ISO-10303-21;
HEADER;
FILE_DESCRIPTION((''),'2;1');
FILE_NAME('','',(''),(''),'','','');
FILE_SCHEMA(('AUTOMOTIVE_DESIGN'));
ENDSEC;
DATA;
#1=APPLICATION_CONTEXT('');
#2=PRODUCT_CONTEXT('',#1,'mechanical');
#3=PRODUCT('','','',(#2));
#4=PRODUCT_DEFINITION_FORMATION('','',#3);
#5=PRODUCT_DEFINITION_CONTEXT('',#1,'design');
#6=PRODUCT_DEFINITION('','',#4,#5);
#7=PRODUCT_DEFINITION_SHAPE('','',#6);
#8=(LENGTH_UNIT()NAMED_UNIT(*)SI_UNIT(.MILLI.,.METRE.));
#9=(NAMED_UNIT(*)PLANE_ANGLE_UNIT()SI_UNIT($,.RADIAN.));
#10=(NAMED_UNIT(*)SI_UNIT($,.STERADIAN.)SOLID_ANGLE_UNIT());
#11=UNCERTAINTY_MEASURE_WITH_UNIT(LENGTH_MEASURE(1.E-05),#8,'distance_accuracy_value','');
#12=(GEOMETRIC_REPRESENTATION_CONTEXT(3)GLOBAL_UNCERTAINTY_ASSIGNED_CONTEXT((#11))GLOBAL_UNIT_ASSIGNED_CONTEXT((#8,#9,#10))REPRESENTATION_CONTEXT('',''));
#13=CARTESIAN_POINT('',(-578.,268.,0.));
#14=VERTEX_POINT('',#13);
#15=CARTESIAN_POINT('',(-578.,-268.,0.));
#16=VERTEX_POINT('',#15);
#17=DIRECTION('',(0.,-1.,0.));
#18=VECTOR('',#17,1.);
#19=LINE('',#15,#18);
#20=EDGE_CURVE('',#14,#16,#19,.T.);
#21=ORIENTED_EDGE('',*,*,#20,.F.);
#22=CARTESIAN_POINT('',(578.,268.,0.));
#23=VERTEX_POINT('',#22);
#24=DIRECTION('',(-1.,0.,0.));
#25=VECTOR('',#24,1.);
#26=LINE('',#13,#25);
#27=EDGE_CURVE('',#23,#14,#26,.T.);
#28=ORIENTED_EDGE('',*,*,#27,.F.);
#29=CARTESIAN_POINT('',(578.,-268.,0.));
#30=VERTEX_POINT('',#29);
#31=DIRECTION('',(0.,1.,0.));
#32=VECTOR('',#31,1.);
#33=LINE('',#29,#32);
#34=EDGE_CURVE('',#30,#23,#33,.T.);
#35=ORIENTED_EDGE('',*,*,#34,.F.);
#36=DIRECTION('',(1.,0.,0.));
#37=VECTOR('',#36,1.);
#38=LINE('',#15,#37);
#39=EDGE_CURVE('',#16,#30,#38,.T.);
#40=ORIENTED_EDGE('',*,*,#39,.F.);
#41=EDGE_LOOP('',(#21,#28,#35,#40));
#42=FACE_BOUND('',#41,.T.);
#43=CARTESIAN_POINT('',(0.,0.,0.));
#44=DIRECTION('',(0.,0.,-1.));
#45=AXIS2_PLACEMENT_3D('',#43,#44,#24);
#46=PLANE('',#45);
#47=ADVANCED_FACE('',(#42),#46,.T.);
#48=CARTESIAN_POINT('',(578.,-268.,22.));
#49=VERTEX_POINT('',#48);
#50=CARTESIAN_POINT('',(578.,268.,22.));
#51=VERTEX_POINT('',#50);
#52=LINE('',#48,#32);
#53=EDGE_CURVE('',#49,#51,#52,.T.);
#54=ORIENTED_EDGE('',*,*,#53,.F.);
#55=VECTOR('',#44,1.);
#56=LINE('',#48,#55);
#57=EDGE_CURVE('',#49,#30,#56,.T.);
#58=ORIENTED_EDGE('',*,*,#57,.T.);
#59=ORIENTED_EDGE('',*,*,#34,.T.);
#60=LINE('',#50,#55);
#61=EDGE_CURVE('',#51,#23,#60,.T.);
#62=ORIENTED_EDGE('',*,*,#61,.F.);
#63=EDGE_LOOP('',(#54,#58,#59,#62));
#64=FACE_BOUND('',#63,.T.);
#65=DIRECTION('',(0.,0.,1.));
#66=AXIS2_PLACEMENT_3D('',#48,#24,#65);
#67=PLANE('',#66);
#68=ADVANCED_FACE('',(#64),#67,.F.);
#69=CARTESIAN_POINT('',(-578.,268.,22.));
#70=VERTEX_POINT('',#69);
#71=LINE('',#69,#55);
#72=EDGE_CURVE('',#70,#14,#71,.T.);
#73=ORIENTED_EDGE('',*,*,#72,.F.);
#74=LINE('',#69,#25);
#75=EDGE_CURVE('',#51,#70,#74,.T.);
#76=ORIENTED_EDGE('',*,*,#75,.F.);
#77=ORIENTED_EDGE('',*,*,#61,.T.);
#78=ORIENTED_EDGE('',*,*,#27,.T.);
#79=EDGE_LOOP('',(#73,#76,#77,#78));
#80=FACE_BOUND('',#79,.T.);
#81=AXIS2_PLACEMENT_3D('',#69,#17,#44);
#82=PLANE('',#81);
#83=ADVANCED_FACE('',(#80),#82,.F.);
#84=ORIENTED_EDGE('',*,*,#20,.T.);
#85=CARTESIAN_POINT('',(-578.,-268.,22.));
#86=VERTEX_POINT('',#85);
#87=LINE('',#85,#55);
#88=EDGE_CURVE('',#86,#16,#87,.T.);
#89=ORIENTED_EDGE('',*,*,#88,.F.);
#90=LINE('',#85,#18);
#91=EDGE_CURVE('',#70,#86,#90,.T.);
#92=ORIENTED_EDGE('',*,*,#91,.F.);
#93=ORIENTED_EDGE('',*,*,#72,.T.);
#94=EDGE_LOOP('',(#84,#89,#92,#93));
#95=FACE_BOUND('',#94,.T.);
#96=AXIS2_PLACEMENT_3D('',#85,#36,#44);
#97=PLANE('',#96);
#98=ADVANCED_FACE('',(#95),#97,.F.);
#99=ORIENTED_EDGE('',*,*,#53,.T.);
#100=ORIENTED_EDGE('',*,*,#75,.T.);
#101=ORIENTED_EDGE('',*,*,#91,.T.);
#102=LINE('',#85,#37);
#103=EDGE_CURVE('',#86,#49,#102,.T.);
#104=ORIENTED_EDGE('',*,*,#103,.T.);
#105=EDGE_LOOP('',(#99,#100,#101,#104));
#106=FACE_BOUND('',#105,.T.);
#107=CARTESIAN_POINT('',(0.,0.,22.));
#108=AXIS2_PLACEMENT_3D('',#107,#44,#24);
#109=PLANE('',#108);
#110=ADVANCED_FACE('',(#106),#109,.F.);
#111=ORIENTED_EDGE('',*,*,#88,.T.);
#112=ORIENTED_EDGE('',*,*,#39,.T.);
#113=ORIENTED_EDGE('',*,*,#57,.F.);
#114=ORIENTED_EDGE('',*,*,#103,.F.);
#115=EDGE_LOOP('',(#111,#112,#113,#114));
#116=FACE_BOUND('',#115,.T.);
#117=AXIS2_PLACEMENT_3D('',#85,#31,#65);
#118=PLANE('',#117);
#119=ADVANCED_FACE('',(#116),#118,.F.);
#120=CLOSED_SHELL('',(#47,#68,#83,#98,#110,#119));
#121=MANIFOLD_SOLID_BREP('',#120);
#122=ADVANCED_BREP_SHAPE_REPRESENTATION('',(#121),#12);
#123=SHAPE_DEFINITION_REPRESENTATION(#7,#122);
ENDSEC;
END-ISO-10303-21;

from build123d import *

# Parameters (mm, degrees)
SKETCH1_W           = 1156
SKETCH1_H           = 536
BOSS_EXTRUDE1_DEPTH = 22


with BuildPart() as part:
    # Sketch1 → Boss-Extrude1 (new body)
    with BuildSketch(Plane.XY):
        Rectangle(SKETCH1_W, SKETCH1_H)
    extrude(amount=BOSS_EXTRUDE1_DEPTH)


solid = part.part
